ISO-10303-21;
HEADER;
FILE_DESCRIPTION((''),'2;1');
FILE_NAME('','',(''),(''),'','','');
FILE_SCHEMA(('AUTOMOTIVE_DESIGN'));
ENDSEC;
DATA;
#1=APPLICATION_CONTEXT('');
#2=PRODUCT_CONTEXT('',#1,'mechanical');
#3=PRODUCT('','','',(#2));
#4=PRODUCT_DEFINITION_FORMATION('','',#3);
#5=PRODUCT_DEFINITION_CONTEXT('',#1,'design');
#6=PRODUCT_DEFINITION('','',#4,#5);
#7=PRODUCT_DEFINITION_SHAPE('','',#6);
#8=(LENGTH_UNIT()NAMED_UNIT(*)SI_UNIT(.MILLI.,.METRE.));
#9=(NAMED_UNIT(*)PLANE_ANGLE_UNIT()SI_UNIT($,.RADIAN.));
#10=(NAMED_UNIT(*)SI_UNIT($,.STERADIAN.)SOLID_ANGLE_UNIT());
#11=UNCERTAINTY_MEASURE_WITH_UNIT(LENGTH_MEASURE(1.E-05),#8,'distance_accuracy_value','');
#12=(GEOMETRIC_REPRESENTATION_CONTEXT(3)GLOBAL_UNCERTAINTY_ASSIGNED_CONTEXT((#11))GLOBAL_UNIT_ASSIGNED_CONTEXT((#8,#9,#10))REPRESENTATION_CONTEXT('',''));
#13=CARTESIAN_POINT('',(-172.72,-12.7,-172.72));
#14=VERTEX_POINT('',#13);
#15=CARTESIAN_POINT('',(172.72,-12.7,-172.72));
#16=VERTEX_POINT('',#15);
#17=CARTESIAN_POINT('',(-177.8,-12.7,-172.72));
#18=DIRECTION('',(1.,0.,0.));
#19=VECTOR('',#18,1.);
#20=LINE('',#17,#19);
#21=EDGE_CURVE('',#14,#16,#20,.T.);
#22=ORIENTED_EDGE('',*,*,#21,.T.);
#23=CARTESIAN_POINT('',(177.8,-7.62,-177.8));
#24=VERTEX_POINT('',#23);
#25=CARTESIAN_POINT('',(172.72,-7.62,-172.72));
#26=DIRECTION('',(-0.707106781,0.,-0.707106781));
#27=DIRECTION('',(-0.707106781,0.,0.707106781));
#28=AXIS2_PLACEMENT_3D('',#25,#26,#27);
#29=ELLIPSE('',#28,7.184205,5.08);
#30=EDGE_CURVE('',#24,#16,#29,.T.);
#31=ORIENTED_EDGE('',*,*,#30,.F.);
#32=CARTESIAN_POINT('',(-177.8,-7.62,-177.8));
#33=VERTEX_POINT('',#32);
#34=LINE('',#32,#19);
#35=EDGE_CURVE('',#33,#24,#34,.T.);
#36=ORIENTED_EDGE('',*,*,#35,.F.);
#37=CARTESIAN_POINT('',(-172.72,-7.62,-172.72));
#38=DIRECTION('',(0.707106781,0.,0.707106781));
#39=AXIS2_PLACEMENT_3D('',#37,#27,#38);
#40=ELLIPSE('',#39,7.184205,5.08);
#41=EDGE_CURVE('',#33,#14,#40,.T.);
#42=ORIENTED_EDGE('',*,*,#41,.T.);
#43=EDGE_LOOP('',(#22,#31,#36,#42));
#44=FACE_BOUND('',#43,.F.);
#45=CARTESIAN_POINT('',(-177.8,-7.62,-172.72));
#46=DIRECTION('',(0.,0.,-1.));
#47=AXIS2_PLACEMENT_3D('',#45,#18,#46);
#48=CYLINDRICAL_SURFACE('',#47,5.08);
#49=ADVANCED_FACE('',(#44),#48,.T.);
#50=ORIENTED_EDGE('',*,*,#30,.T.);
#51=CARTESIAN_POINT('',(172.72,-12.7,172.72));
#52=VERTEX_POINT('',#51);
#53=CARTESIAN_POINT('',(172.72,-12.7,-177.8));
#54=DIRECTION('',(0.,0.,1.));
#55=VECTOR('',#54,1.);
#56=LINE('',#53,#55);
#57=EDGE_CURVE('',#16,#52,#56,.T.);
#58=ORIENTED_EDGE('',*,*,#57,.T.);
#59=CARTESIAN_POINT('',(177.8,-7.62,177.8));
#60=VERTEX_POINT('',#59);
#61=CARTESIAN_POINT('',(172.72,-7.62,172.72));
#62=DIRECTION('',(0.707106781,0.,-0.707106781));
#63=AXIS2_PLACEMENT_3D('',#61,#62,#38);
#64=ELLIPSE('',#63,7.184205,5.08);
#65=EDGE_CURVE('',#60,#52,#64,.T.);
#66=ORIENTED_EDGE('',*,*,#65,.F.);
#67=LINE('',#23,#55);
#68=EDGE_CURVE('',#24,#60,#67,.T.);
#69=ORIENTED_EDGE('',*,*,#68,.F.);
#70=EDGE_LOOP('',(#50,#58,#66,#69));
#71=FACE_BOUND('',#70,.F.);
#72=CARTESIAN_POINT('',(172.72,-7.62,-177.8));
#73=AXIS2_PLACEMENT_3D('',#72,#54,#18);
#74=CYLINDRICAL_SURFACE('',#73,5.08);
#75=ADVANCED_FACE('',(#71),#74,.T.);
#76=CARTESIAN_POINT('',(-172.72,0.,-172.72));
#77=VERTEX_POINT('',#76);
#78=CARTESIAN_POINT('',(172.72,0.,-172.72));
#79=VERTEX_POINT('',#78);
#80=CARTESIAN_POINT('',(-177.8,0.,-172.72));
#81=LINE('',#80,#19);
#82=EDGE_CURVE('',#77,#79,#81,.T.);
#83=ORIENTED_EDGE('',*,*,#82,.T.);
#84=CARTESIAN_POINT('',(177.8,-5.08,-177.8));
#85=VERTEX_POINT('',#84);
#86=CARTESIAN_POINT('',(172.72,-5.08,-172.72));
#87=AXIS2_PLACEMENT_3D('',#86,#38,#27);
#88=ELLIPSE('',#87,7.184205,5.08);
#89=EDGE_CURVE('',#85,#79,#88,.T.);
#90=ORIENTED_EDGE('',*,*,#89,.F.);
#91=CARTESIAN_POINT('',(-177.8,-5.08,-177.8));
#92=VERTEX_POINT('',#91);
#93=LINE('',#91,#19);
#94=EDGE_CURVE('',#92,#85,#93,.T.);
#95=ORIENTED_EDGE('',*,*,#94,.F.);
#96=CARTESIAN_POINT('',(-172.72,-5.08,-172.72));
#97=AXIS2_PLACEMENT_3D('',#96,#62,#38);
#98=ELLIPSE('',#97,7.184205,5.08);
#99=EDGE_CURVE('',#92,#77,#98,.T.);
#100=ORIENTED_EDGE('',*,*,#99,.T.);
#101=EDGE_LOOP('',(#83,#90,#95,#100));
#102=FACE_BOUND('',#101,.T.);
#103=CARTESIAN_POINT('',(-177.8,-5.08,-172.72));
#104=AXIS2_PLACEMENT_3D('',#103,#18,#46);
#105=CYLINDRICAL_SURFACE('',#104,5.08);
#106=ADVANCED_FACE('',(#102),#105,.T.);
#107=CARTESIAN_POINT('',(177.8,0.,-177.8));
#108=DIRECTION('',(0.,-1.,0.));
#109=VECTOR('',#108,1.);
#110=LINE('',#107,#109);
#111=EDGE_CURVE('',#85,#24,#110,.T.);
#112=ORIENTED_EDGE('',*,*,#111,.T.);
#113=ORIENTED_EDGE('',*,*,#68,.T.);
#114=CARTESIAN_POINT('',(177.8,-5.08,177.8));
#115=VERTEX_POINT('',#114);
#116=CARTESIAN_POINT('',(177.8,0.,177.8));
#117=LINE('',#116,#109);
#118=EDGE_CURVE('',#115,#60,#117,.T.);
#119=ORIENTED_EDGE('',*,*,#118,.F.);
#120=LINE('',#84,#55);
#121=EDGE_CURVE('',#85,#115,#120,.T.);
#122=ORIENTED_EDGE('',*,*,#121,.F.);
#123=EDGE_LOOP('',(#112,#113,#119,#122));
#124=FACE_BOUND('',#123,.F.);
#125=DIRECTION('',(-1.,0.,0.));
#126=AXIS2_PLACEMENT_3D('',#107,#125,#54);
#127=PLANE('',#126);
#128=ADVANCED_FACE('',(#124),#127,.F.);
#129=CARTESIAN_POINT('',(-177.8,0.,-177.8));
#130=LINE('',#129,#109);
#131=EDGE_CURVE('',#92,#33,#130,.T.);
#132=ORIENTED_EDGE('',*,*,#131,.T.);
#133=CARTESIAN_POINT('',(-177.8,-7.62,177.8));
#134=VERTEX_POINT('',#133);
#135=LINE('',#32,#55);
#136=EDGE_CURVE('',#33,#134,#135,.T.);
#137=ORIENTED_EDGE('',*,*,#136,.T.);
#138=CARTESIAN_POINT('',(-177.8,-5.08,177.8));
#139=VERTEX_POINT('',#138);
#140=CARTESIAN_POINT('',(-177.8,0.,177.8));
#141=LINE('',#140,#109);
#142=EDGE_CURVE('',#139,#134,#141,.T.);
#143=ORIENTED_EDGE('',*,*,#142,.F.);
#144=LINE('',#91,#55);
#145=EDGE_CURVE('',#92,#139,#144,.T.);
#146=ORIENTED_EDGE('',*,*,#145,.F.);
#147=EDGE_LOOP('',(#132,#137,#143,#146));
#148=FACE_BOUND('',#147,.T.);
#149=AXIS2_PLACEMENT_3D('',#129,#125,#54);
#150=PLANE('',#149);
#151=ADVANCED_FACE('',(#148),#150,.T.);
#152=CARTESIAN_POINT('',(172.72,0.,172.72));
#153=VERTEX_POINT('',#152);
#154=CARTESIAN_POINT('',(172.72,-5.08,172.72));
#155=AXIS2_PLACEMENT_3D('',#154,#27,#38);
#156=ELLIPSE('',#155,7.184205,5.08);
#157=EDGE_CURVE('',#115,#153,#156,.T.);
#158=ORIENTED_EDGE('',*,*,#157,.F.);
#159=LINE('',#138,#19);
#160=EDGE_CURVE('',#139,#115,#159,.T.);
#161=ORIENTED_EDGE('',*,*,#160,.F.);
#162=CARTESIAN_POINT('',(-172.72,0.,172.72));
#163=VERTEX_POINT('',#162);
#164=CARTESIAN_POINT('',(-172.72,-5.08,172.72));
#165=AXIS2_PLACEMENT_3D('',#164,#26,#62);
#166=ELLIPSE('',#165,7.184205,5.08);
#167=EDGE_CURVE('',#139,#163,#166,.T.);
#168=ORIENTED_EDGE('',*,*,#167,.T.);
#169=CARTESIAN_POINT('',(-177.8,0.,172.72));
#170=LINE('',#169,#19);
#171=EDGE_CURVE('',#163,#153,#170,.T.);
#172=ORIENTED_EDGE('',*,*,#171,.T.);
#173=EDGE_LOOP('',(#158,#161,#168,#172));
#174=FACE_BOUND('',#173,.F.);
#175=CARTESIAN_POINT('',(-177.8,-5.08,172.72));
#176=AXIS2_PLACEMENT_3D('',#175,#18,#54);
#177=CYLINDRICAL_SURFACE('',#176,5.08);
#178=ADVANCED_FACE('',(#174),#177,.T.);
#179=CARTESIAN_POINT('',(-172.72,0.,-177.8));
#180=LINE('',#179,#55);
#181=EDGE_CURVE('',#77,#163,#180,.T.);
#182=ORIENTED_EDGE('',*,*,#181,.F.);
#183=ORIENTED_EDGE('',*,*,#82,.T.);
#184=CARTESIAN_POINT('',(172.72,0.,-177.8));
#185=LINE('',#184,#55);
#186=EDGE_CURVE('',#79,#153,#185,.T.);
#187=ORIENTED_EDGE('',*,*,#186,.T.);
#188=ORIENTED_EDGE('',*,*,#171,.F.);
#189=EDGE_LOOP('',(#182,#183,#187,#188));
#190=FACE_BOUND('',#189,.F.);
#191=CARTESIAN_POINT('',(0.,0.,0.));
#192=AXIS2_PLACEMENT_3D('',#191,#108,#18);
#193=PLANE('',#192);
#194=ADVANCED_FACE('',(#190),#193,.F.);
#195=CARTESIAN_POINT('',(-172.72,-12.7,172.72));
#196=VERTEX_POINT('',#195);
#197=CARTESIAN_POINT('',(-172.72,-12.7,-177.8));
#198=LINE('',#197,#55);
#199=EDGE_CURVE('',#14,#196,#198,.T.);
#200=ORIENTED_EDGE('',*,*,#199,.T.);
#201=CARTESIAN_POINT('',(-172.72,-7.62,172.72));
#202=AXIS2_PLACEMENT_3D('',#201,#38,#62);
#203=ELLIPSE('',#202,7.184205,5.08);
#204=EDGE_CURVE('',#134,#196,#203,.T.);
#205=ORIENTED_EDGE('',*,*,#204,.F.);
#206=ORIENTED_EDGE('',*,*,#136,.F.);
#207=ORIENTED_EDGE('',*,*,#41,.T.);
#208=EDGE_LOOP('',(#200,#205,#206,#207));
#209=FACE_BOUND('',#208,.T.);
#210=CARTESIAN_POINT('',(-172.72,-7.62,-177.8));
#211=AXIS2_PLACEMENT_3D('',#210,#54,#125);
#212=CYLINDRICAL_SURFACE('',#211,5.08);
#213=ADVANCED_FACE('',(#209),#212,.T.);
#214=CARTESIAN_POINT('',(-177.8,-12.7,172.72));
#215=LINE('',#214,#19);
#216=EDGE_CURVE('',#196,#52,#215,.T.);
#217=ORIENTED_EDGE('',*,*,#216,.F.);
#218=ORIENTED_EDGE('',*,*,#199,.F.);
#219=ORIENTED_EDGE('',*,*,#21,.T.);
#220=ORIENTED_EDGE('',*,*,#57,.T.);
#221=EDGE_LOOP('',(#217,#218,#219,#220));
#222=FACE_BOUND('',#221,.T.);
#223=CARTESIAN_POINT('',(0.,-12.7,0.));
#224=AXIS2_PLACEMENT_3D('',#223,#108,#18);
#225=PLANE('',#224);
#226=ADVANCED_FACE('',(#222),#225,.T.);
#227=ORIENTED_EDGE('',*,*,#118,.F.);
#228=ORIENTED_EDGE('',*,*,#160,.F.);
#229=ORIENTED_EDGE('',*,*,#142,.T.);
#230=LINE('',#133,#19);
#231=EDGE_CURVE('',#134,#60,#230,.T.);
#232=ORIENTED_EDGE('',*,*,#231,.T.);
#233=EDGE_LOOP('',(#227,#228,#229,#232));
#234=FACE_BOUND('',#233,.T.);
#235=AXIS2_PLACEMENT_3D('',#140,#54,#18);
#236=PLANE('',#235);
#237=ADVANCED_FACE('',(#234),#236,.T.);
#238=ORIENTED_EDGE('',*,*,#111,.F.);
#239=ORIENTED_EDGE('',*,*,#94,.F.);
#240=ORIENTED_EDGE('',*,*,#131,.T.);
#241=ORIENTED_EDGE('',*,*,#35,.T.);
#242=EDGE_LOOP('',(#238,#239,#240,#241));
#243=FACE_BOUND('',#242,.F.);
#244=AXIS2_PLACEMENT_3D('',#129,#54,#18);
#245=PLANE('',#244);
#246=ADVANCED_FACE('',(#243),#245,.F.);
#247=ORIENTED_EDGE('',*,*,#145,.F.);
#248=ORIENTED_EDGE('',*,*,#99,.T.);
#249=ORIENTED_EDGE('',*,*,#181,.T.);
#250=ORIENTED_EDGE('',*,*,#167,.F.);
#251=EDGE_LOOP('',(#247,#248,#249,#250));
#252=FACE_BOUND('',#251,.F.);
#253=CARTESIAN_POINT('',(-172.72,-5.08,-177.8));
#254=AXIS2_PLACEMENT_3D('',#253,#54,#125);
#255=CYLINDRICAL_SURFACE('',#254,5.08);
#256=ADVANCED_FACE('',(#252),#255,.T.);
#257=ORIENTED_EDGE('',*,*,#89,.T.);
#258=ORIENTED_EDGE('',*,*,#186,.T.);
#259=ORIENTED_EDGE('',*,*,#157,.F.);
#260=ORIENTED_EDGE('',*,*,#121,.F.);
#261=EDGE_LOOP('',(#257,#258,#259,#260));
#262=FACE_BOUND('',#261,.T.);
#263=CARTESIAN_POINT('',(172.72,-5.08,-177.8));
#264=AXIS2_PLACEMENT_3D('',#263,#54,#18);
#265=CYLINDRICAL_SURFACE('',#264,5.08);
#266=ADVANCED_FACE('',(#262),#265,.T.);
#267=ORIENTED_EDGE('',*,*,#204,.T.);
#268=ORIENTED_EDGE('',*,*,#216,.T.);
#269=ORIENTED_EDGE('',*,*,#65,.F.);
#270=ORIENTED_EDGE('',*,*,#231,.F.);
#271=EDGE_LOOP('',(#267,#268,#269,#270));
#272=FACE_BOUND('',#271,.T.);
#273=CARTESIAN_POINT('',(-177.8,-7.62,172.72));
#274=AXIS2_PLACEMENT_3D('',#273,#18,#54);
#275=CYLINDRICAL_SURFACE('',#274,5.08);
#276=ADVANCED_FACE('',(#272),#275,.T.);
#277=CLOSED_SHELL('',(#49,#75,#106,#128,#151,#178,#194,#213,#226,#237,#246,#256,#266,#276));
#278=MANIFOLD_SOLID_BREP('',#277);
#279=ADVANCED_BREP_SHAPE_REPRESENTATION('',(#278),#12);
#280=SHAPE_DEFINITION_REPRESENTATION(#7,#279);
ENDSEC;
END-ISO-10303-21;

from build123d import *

# Parameters (mm, degrees)
F0_W     = 355.6
F0_H     = 355.6
F1_DEPTH = 12.7
F2_R     = 5.08


with BuildPart() as f1:
    # F0 (on Front) → F1 (new body)
    with BuildSketch(Plane.XZ):
        Rectangle(F0_W, F0_H)
    extrude(amount=F1_DEPTH)

    # F2
    f2_edges = [f1.edges().sort_by_distance(p)[0] for p in [
        (177.8, -12.7, 0),
        (0, -12.7, 177.8),
        (-177.8, -12.7, 0),
        (0, -12.7, -177.8),
        (177.8, 0, 0),
        (0, 0, 177.8),
        (-177.8, 0, 0),
        (0, 0, -177.8),
    ]]
    fillet(f2_edges, radius=F2_R)


solid = f1.part
